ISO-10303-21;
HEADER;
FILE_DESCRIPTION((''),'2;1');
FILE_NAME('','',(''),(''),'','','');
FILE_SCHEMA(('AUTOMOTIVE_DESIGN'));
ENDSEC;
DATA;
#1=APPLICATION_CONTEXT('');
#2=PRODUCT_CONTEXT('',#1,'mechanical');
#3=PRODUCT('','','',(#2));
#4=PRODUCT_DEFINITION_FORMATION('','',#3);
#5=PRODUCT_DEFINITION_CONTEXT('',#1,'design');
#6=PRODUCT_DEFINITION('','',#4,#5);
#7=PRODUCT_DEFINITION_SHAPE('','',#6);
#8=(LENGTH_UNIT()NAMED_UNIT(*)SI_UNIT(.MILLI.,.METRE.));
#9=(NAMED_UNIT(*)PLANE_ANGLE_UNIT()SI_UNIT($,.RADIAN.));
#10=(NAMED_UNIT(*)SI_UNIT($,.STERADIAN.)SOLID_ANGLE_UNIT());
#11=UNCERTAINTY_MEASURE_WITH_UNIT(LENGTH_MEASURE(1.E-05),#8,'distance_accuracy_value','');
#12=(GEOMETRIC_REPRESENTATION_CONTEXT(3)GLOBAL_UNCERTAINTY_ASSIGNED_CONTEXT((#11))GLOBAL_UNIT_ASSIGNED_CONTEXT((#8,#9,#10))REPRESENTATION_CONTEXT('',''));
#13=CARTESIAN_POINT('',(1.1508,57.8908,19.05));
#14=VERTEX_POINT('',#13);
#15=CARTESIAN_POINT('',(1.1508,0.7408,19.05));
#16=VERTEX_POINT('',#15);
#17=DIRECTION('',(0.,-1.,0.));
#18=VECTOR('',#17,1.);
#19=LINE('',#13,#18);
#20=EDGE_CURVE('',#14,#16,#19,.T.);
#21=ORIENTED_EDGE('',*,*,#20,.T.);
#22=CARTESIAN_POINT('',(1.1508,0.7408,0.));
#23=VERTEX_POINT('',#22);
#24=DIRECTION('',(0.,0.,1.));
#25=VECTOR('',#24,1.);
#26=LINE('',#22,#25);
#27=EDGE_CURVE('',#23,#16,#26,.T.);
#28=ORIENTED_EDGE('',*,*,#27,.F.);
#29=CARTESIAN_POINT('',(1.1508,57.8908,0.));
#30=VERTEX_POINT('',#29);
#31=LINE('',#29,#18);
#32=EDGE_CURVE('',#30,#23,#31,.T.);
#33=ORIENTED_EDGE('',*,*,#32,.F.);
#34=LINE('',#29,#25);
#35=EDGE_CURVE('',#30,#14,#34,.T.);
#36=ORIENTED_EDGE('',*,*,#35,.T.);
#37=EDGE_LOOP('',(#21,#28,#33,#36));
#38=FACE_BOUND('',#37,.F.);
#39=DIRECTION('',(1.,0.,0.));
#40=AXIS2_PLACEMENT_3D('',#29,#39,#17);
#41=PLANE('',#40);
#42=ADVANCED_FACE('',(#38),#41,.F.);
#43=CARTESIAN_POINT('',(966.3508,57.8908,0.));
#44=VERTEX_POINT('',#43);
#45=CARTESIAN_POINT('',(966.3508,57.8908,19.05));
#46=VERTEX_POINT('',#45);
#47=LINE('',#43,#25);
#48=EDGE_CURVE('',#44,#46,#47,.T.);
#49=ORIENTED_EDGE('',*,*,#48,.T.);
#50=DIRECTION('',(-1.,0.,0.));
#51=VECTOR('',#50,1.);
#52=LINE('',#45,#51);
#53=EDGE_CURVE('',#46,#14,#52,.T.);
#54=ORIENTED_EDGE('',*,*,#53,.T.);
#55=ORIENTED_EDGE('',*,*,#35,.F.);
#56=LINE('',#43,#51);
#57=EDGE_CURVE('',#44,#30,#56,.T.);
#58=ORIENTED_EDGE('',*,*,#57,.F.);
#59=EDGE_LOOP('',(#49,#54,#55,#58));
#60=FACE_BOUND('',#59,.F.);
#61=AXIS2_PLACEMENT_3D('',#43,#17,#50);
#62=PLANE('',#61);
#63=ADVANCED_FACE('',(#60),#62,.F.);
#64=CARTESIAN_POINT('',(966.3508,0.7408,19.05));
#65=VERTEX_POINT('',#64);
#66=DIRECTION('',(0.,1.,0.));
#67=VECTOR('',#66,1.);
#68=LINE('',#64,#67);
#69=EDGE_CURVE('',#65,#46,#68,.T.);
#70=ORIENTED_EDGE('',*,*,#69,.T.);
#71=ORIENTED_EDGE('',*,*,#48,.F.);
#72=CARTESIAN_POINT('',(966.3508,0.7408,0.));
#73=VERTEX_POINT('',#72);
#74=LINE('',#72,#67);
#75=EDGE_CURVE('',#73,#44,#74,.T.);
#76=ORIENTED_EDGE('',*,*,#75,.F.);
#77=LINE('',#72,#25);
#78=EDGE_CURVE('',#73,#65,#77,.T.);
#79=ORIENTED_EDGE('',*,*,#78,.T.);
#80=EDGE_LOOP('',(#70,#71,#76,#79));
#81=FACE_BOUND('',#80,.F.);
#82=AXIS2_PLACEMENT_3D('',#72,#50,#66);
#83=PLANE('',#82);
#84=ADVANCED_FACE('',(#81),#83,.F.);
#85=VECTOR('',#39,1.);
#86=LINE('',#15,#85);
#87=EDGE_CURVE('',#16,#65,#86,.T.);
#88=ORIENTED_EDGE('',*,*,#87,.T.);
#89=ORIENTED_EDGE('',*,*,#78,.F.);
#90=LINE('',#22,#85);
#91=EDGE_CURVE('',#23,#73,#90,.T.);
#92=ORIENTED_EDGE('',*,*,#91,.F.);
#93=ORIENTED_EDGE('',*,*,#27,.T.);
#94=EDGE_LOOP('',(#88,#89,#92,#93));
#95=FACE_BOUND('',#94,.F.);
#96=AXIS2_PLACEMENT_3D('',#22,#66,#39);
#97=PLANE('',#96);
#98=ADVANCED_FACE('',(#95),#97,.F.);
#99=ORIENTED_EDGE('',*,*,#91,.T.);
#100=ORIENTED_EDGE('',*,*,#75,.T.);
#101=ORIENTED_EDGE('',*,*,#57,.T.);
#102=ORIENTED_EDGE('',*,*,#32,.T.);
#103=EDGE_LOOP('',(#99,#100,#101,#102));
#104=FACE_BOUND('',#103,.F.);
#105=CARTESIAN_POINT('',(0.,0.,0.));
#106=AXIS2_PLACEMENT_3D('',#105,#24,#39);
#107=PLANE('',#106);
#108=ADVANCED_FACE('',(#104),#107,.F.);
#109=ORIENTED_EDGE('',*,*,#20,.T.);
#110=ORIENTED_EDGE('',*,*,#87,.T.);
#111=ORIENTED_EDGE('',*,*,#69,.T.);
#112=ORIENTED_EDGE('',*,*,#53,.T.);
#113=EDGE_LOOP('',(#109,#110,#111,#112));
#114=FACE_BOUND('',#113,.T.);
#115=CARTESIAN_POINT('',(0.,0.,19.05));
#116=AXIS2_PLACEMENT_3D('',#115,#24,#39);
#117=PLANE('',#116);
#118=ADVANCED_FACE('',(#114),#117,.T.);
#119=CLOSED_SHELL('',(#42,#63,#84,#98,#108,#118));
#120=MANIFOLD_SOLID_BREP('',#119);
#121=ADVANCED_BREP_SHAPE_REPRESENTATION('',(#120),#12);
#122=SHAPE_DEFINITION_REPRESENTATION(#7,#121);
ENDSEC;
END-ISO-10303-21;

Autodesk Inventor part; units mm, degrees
ref_plane "YZ Plane" through (0, 0, 0) normal (1, 0, 0) x (0, 1, 0)
ref_plane "XZ Plane" through (0, 0, 0) normal (0, 1, 0) x (-1, 0, 0)
ref_plane "XY Plane" through (0, 0, 0) normal (0, 0, 1) x (1, 0, 0)
sketch "Sketch1" plane through (0, 0, 0) normal (0, 0, 1) x (1, 0, 0)
  line L0 (966.3508, 0.7408) -> (966.3508, 57.8908)
  line L1 (966.3508, 57.8908) -> (1.1508, 57.8908)
  line L2 (1.1508, 57.8908) -> (1.1508, 0.7408)
  line L3 (1.1508, 0.7408) -> (966.3508, 0.7408)
extrude "Extrusion1" add sketch "Sketch1" along normal blind 19.05
properties part number "nd-1"
